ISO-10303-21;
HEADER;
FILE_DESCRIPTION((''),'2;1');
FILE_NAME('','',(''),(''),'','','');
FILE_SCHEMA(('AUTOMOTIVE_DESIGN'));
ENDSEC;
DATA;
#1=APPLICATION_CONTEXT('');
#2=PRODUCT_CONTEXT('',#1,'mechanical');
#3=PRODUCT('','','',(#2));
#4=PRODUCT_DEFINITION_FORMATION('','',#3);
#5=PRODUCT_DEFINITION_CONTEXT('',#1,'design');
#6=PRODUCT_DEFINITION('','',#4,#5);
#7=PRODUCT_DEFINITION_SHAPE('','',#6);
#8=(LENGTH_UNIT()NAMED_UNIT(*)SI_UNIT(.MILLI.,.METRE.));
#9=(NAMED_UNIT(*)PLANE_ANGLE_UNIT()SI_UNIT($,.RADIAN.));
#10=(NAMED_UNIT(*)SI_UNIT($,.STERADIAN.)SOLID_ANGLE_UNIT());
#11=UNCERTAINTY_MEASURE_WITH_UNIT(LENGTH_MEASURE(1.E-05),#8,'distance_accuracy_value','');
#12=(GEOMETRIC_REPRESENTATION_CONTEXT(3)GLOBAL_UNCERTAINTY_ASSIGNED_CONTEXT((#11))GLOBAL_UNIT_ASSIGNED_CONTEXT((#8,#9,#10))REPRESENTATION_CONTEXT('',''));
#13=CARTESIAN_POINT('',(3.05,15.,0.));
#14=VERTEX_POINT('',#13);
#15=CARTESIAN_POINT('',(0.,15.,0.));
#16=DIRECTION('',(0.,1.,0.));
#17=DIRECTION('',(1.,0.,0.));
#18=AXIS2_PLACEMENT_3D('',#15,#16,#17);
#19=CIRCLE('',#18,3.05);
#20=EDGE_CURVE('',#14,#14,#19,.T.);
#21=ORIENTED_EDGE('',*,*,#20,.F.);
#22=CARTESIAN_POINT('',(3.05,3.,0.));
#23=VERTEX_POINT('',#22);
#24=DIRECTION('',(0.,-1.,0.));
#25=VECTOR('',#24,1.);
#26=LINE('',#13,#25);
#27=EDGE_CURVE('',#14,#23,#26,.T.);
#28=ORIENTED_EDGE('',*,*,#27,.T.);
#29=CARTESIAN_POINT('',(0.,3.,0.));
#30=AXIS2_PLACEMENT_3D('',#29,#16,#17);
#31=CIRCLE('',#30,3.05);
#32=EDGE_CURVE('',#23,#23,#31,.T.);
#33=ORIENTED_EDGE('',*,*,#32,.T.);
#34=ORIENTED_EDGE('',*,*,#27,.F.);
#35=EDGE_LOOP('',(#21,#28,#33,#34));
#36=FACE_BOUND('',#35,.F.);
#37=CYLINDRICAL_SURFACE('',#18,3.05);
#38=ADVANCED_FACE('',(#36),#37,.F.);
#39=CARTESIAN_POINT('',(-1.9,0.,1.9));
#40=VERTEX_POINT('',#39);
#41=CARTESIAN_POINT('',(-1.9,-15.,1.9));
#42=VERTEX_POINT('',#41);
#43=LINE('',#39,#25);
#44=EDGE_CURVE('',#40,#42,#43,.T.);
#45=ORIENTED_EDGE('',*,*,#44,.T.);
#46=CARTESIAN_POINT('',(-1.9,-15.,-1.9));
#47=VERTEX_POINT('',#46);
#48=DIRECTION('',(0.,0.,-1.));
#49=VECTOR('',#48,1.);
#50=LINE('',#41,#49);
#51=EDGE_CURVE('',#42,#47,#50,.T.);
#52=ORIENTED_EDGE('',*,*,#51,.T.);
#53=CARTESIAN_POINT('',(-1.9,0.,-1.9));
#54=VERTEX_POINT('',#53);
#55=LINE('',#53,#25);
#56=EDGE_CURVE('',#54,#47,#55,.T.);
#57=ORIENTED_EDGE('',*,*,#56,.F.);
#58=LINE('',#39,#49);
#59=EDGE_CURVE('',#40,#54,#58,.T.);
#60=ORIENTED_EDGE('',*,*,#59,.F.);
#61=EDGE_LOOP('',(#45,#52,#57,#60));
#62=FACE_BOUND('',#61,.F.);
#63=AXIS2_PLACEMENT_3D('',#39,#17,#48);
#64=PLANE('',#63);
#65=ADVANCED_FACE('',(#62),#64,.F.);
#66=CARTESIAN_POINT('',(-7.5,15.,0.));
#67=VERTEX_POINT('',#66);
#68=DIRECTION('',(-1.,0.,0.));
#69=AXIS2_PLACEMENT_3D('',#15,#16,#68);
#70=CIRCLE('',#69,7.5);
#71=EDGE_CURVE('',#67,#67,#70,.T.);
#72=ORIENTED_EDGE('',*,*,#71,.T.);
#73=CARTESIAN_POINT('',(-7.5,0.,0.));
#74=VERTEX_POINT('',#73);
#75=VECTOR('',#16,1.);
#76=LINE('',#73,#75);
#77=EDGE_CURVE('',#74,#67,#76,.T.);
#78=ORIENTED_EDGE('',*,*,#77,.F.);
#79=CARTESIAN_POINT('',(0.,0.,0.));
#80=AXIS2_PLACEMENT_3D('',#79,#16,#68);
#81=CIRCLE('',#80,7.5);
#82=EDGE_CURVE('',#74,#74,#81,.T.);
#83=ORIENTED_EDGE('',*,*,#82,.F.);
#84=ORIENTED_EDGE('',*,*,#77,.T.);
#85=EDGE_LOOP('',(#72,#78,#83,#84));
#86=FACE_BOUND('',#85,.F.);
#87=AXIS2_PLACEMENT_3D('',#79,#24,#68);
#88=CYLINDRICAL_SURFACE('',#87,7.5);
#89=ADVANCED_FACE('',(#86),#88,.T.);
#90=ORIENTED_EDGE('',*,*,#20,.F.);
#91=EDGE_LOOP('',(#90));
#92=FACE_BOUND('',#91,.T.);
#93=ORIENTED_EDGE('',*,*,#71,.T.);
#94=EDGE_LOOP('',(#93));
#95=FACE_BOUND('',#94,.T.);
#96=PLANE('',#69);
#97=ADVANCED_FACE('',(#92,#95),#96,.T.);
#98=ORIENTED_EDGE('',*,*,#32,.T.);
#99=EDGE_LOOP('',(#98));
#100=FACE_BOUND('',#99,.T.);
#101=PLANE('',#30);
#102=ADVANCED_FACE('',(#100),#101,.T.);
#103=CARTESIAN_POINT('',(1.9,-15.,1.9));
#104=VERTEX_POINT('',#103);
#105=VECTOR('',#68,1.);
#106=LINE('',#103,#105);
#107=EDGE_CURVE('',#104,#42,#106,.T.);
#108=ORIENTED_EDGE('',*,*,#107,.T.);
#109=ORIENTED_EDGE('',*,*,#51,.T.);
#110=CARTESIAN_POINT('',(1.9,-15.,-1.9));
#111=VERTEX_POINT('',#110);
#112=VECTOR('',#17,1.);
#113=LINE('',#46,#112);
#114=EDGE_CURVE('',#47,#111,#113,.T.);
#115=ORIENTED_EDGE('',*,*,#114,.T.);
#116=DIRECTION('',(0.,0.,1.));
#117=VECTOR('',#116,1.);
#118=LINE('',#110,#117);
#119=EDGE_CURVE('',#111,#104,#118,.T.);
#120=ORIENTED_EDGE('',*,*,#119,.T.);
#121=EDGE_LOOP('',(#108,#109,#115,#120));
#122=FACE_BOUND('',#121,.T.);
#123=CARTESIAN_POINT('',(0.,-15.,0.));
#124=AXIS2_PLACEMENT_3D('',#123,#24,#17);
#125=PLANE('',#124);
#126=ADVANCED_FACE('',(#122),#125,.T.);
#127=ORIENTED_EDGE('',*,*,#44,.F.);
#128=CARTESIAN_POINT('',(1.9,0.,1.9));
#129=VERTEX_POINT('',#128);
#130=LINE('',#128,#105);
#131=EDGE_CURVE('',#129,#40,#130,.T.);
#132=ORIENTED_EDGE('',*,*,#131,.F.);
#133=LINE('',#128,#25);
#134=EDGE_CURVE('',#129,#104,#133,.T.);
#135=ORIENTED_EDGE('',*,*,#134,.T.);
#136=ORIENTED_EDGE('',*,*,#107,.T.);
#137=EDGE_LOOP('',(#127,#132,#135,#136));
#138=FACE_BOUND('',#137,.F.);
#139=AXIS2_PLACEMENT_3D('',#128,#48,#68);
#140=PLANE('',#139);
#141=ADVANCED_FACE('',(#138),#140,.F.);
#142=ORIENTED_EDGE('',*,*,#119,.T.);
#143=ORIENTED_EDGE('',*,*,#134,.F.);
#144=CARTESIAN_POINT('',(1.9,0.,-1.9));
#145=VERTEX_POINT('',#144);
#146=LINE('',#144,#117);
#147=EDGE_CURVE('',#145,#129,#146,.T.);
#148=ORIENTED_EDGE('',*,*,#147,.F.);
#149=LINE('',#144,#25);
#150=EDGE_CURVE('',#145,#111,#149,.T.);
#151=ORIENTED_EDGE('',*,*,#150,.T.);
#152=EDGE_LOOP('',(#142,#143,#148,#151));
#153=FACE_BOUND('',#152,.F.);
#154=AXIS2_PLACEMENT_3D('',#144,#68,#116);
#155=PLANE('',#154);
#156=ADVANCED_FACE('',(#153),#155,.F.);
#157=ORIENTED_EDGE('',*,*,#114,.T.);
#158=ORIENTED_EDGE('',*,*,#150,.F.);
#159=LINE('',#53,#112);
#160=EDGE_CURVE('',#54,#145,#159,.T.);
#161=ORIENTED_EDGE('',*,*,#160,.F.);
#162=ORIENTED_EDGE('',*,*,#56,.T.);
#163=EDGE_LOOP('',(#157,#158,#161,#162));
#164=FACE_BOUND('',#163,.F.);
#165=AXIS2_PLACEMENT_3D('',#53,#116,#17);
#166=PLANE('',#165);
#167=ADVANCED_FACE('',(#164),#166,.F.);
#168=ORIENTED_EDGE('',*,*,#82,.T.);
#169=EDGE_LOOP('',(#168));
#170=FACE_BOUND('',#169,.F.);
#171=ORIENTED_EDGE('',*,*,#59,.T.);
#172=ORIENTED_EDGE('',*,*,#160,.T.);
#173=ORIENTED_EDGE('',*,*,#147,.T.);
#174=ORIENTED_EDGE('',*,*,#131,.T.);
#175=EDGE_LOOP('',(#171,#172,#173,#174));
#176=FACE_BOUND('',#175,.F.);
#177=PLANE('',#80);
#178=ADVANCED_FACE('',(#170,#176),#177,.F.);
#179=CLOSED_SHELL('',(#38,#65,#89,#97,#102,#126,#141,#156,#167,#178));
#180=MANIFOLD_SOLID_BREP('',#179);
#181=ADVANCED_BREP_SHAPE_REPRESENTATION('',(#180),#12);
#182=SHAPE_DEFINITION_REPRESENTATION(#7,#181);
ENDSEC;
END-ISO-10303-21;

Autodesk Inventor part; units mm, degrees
ref_plane "YZ Plane" through (0, 0, 0) normal (1, 0, 0) x (0, 1, 0)
ref_plane "XZ Plane" through (0, 0, 0) normal (0, 1, 0) x (-1, 0, 0)
ref_plane "XY Plane" through (0, 0, 0) normal (0, 0, 1) x (1, 0, 0)
sketch "草圖1" plane through (0, 0, 0) normal (0, 1, 0) x (-1, 0, 0)
  circle A0 centre (0, 0) radius 7.5
  dimension "d0" = 15
extrude "擠出1" add sketch "草圖1" along normal blind 15
sketch "草圖2" plane through (0, 15, 0) normal (0, 1, 0) x (1, 0, 0)
  circle A0 centre (0, 0) radius 3.05
  dimension "d3" = 6.1
extrude "擠出2" cut sketch "草圖2" against normal blind 12
sketch "草圖3" plane through (0, 0, 0) normal (0, -1, 0) x (1, 0, 0)
  line L0 (1.9, 1.9) -> (-1.9, 1.9)
  line L1 (-1.9, 1.9) -> (-1.9, -1.9)
  line L2 (-1.9, -1.9) -> (1.9, -1.9)
  line L3 (1.9, -1.9) -> (1.9, 1.9)
  circle A0 centre (0, 0) radius 3.05 projected
  line L4 (1.9, 1.9) -> (-1.9, -1.9) construction
  line L5 (-1.9, 1.9) -> (1.9, -1.9) construction
  dimension "d6" = 3.8
  dimension "d7" = 3.8
extrude "擠出3" add sketch "草圖3" along normal blind 15 contours L3 L2 L1 L0
properties part number "transfer"
